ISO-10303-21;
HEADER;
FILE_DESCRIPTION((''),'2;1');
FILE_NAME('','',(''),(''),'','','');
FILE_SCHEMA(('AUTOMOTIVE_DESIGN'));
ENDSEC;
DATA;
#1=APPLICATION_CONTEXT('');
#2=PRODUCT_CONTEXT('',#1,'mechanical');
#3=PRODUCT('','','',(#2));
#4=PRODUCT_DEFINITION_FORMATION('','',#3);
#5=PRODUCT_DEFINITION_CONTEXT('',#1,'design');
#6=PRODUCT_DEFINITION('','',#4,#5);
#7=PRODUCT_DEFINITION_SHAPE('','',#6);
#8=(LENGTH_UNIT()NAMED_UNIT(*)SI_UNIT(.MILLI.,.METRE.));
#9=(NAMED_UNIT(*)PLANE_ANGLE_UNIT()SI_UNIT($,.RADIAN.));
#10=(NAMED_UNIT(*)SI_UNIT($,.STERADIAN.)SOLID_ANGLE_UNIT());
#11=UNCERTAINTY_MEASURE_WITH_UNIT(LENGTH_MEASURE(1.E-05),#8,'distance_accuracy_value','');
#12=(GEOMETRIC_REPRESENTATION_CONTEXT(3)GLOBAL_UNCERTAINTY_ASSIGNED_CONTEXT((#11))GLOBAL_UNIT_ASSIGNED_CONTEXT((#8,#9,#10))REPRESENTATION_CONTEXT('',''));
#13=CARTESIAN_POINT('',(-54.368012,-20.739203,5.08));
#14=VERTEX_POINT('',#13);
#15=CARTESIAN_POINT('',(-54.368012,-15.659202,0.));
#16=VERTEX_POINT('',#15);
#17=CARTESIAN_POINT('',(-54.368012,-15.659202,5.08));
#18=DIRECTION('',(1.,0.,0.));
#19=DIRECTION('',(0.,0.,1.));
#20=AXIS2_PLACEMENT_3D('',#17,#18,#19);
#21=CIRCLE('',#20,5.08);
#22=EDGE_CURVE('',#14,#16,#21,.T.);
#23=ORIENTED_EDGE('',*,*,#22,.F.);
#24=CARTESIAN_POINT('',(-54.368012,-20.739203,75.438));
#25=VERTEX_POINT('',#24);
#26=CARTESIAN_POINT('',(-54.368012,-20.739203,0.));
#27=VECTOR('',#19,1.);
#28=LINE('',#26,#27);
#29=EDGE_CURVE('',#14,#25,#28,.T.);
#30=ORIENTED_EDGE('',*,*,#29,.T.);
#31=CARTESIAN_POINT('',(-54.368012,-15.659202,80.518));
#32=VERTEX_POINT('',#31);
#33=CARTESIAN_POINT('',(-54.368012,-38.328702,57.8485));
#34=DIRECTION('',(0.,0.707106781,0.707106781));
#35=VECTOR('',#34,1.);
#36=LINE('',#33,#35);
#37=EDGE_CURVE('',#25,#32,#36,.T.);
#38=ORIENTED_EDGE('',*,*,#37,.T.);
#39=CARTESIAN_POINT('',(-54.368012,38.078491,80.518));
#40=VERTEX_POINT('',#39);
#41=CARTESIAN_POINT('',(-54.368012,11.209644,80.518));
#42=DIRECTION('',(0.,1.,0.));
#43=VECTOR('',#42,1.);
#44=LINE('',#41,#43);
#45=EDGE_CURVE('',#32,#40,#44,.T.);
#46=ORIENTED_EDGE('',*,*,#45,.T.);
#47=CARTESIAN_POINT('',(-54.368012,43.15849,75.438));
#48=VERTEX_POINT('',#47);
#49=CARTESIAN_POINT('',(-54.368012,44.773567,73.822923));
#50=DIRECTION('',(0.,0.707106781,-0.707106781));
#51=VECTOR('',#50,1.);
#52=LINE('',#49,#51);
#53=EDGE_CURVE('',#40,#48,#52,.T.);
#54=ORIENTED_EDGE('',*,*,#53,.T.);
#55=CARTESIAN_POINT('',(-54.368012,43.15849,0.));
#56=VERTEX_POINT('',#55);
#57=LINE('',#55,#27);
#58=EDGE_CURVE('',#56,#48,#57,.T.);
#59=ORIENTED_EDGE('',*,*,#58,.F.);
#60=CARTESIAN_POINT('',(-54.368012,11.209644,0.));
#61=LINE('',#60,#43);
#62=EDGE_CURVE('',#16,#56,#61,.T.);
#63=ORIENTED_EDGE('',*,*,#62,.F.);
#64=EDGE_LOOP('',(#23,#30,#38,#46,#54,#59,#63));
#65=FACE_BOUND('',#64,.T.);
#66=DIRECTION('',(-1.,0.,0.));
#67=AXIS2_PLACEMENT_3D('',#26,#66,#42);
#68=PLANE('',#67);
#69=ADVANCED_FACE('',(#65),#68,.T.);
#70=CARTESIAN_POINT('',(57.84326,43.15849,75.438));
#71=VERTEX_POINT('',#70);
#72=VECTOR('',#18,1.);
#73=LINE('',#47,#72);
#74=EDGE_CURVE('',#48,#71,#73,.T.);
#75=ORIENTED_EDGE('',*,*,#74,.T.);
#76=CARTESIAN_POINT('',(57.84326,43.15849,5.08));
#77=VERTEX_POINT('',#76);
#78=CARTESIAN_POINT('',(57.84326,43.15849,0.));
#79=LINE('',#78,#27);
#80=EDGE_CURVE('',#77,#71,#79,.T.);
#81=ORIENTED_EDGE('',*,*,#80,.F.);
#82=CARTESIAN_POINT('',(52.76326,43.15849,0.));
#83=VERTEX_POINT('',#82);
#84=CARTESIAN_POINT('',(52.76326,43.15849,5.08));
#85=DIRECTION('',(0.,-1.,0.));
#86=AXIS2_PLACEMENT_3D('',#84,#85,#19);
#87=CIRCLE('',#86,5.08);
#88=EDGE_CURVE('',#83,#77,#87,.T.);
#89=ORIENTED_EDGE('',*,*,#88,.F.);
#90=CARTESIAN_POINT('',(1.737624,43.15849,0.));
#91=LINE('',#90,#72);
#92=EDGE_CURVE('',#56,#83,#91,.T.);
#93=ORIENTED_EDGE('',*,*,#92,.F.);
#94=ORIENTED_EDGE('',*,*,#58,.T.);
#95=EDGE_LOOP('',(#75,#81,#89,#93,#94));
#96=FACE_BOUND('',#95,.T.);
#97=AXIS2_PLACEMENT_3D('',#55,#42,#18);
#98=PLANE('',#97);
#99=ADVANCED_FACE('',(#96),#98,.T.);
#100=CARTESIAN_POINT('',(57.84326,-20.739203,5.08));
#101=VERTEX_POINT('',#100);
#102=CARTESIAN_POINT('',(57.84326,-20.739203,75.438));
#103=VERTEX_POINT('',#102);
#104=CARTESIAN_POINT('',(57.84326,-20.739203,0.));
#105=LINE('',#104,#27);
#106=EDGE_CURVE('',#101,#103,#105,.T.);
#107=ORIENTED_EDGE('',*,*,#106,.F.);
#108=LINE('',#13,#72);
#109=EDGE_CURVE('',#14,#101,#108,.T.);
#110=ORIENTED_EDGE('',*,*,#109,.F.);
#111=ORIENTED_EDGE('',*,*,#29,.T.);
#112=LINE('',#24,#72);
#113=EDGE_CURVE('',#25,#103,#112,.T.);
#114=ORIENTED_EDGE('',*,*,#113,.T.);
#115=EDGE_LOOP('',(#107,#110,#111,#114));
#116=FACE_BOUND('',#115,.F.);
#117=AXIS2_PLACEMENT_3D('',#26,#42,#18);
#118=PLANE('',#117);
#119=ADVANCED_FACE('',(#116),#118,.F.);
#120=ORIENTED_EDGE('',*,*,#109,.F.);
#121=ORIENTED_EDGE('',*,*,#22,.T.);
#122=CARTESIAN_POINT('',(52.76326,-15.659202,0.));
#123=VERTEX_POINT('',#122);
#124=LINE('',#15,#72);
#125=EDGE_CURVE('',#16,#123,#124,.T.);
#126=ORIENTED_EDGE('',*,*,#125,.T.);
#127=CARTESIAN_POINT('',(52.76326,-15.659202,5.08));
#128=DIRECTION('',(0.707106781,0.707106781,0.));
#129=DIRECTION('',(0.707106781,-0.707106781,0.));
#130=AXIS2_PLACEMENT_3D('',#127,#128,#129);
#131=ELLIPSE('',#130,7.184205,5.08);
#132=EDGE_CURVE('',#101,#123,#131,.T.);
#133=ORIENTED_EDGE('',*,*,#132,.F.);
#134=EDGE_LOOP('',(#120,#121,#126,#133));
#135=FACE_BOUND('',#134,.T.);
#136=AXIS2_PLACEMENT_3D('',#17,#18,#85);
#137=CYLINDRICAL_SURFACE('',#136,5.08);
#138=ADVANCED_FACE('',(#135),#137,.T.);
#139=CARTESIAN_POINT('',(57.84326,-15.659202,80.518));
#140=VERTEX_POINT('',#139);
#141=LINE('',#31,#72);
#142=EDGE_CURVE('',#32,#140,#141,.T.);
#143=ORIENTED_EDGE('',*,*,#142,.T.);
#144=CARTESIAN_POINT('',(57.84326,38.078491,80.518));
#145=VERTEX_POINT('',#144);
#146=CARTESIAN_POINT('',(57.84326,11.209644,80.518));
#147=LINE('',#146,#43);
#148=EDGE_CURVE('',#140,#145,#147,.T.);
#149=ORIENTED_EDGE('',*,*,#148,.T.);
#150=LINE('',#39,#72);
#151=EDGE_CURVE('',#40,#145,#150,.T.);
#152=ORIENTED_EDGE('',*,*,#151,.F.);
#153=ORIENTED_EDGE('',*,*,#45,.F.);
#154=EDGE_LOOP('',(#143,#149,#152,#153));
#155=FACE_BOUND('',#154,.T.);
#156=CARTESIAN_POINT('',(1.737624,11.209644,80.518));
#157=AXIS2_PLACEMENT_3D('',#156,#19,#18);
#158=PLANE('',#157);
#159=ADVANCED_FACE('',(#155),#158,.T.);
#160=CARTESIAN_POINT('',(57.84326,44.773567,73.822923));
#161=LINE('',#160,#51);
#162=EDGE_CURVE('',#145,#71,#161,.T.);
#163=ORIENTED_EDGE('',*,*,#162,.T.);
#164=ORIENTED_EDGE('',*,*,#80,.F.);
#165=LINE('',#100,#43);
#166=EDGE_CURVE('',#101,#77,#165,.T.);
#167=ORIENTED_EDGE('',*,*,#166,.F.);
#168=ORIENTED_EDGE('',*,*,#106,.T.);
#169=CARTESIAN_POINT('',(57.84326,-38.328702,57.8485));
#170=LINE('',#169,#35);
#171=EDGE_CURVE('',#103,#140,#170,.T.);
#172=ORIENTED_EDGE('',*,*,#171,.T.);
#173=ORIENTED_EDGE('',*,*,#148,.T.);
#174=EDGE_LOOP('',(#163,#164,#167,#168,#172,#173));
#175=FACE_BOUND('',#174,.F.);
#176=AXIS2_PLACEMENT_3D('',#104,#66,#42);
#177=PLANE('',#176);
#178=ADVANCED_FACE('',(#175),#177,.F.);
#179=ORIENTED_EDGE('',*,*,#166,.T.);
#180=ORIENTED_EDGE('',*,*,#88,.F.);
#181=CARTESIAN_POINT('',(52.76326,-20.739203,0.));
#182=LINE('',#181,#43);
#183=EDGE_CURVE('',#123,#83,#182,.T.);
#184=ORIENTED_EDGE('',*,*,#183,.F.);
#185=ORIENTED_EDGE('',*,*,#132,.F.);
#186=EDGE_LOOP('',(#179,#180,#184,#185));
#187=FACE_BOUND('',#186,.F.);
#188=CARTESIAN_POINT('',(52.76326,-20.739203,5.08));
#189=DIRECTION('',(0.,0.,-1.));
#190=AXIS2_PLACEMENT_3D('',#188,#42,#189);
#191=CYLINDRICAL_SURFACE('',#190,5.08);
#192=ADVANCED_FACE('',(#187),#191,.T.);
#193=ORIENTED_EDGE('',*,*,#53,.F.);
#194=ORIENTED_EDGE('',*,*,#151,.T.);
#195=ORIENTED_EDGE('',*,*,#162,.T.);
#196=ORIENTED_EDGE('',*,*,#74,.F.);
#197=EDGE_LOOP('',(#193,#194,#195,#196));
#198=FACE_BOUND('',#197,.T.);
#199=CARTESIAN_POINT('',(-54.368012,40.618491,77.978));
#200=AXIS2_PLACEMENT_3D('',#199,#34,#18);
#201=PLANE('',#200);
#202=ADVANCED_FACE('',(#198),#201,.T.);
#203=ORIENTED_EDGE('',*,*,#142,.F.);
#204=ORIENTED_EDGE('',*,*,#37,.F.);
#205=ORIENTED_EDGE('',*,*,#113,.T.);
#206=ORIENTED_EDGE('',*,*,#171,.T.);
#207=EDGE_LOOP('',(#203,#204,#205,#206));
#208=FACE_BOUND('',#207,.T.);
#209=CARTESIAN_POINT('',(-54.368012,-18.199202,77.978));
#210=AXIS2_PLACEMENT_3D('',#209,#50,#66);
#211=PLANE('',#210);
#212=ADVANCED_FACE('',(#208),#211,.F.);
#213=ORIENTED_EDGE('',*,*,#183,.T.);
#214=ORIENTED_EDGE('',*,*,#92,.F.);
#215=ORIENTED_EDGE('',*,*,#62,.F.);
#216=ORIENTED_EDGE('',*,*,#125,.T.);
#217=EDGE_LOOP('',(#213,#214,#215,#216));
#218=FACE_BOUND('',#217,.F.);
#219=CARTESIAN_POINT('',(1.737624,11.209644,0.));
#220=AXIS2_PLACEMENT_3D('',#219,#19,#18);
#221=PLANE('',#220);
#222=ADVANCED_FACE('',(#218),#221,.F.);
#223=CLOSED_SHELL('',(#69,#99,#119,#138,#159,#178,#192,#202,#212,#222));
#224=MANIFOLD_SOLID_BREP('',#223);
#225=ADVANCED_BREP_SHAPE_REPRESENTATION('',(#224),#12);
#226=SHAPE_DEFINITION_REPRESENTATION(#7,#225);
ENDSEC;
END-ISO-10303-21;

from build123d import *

# Parameters (mm, degrees)
F0_W     = 112.211272
F0_H     = 63.897693
F1_DEPTH = 80.518
F2_SIZE  = 5.08
F3_SIZE  = 5.08
F4_R     = 5.08


with BuildPart() as f1:
    # F0 (on Top) → F1 (new body)
    with BuildSketch(Plane.XY):
        with Locations((1.737624, 11.209644)):
            Rectangle(F0_W, F0_H)
    extrude(amount=F1_DEPTH)

    # F2
    f2_edges = [f1.edges().sort_by_distance(p)[0] for p in [
        (1.737624, -20.739203, 80.518),
    ]]
    chamfer(f2_edges, length=F2_SIZE)

    # F3
    f3_edges = [f1.edges().sort_by_distance(p)[0] for p in [
        (1.737624, 43.15849, 80.518),
    ]]
    chamfer(f3_edges, length=F3_SIZE)

    # F4
    f4_edges = [f1.edges().sort_by_distance(p)[0] for p in [
        (1.737624, -20.739203, 0),
        (57.84326, 11.209643, 0),
    ]]
    fillet(f4_edges, radius=F4_R)


solid = f1.part
